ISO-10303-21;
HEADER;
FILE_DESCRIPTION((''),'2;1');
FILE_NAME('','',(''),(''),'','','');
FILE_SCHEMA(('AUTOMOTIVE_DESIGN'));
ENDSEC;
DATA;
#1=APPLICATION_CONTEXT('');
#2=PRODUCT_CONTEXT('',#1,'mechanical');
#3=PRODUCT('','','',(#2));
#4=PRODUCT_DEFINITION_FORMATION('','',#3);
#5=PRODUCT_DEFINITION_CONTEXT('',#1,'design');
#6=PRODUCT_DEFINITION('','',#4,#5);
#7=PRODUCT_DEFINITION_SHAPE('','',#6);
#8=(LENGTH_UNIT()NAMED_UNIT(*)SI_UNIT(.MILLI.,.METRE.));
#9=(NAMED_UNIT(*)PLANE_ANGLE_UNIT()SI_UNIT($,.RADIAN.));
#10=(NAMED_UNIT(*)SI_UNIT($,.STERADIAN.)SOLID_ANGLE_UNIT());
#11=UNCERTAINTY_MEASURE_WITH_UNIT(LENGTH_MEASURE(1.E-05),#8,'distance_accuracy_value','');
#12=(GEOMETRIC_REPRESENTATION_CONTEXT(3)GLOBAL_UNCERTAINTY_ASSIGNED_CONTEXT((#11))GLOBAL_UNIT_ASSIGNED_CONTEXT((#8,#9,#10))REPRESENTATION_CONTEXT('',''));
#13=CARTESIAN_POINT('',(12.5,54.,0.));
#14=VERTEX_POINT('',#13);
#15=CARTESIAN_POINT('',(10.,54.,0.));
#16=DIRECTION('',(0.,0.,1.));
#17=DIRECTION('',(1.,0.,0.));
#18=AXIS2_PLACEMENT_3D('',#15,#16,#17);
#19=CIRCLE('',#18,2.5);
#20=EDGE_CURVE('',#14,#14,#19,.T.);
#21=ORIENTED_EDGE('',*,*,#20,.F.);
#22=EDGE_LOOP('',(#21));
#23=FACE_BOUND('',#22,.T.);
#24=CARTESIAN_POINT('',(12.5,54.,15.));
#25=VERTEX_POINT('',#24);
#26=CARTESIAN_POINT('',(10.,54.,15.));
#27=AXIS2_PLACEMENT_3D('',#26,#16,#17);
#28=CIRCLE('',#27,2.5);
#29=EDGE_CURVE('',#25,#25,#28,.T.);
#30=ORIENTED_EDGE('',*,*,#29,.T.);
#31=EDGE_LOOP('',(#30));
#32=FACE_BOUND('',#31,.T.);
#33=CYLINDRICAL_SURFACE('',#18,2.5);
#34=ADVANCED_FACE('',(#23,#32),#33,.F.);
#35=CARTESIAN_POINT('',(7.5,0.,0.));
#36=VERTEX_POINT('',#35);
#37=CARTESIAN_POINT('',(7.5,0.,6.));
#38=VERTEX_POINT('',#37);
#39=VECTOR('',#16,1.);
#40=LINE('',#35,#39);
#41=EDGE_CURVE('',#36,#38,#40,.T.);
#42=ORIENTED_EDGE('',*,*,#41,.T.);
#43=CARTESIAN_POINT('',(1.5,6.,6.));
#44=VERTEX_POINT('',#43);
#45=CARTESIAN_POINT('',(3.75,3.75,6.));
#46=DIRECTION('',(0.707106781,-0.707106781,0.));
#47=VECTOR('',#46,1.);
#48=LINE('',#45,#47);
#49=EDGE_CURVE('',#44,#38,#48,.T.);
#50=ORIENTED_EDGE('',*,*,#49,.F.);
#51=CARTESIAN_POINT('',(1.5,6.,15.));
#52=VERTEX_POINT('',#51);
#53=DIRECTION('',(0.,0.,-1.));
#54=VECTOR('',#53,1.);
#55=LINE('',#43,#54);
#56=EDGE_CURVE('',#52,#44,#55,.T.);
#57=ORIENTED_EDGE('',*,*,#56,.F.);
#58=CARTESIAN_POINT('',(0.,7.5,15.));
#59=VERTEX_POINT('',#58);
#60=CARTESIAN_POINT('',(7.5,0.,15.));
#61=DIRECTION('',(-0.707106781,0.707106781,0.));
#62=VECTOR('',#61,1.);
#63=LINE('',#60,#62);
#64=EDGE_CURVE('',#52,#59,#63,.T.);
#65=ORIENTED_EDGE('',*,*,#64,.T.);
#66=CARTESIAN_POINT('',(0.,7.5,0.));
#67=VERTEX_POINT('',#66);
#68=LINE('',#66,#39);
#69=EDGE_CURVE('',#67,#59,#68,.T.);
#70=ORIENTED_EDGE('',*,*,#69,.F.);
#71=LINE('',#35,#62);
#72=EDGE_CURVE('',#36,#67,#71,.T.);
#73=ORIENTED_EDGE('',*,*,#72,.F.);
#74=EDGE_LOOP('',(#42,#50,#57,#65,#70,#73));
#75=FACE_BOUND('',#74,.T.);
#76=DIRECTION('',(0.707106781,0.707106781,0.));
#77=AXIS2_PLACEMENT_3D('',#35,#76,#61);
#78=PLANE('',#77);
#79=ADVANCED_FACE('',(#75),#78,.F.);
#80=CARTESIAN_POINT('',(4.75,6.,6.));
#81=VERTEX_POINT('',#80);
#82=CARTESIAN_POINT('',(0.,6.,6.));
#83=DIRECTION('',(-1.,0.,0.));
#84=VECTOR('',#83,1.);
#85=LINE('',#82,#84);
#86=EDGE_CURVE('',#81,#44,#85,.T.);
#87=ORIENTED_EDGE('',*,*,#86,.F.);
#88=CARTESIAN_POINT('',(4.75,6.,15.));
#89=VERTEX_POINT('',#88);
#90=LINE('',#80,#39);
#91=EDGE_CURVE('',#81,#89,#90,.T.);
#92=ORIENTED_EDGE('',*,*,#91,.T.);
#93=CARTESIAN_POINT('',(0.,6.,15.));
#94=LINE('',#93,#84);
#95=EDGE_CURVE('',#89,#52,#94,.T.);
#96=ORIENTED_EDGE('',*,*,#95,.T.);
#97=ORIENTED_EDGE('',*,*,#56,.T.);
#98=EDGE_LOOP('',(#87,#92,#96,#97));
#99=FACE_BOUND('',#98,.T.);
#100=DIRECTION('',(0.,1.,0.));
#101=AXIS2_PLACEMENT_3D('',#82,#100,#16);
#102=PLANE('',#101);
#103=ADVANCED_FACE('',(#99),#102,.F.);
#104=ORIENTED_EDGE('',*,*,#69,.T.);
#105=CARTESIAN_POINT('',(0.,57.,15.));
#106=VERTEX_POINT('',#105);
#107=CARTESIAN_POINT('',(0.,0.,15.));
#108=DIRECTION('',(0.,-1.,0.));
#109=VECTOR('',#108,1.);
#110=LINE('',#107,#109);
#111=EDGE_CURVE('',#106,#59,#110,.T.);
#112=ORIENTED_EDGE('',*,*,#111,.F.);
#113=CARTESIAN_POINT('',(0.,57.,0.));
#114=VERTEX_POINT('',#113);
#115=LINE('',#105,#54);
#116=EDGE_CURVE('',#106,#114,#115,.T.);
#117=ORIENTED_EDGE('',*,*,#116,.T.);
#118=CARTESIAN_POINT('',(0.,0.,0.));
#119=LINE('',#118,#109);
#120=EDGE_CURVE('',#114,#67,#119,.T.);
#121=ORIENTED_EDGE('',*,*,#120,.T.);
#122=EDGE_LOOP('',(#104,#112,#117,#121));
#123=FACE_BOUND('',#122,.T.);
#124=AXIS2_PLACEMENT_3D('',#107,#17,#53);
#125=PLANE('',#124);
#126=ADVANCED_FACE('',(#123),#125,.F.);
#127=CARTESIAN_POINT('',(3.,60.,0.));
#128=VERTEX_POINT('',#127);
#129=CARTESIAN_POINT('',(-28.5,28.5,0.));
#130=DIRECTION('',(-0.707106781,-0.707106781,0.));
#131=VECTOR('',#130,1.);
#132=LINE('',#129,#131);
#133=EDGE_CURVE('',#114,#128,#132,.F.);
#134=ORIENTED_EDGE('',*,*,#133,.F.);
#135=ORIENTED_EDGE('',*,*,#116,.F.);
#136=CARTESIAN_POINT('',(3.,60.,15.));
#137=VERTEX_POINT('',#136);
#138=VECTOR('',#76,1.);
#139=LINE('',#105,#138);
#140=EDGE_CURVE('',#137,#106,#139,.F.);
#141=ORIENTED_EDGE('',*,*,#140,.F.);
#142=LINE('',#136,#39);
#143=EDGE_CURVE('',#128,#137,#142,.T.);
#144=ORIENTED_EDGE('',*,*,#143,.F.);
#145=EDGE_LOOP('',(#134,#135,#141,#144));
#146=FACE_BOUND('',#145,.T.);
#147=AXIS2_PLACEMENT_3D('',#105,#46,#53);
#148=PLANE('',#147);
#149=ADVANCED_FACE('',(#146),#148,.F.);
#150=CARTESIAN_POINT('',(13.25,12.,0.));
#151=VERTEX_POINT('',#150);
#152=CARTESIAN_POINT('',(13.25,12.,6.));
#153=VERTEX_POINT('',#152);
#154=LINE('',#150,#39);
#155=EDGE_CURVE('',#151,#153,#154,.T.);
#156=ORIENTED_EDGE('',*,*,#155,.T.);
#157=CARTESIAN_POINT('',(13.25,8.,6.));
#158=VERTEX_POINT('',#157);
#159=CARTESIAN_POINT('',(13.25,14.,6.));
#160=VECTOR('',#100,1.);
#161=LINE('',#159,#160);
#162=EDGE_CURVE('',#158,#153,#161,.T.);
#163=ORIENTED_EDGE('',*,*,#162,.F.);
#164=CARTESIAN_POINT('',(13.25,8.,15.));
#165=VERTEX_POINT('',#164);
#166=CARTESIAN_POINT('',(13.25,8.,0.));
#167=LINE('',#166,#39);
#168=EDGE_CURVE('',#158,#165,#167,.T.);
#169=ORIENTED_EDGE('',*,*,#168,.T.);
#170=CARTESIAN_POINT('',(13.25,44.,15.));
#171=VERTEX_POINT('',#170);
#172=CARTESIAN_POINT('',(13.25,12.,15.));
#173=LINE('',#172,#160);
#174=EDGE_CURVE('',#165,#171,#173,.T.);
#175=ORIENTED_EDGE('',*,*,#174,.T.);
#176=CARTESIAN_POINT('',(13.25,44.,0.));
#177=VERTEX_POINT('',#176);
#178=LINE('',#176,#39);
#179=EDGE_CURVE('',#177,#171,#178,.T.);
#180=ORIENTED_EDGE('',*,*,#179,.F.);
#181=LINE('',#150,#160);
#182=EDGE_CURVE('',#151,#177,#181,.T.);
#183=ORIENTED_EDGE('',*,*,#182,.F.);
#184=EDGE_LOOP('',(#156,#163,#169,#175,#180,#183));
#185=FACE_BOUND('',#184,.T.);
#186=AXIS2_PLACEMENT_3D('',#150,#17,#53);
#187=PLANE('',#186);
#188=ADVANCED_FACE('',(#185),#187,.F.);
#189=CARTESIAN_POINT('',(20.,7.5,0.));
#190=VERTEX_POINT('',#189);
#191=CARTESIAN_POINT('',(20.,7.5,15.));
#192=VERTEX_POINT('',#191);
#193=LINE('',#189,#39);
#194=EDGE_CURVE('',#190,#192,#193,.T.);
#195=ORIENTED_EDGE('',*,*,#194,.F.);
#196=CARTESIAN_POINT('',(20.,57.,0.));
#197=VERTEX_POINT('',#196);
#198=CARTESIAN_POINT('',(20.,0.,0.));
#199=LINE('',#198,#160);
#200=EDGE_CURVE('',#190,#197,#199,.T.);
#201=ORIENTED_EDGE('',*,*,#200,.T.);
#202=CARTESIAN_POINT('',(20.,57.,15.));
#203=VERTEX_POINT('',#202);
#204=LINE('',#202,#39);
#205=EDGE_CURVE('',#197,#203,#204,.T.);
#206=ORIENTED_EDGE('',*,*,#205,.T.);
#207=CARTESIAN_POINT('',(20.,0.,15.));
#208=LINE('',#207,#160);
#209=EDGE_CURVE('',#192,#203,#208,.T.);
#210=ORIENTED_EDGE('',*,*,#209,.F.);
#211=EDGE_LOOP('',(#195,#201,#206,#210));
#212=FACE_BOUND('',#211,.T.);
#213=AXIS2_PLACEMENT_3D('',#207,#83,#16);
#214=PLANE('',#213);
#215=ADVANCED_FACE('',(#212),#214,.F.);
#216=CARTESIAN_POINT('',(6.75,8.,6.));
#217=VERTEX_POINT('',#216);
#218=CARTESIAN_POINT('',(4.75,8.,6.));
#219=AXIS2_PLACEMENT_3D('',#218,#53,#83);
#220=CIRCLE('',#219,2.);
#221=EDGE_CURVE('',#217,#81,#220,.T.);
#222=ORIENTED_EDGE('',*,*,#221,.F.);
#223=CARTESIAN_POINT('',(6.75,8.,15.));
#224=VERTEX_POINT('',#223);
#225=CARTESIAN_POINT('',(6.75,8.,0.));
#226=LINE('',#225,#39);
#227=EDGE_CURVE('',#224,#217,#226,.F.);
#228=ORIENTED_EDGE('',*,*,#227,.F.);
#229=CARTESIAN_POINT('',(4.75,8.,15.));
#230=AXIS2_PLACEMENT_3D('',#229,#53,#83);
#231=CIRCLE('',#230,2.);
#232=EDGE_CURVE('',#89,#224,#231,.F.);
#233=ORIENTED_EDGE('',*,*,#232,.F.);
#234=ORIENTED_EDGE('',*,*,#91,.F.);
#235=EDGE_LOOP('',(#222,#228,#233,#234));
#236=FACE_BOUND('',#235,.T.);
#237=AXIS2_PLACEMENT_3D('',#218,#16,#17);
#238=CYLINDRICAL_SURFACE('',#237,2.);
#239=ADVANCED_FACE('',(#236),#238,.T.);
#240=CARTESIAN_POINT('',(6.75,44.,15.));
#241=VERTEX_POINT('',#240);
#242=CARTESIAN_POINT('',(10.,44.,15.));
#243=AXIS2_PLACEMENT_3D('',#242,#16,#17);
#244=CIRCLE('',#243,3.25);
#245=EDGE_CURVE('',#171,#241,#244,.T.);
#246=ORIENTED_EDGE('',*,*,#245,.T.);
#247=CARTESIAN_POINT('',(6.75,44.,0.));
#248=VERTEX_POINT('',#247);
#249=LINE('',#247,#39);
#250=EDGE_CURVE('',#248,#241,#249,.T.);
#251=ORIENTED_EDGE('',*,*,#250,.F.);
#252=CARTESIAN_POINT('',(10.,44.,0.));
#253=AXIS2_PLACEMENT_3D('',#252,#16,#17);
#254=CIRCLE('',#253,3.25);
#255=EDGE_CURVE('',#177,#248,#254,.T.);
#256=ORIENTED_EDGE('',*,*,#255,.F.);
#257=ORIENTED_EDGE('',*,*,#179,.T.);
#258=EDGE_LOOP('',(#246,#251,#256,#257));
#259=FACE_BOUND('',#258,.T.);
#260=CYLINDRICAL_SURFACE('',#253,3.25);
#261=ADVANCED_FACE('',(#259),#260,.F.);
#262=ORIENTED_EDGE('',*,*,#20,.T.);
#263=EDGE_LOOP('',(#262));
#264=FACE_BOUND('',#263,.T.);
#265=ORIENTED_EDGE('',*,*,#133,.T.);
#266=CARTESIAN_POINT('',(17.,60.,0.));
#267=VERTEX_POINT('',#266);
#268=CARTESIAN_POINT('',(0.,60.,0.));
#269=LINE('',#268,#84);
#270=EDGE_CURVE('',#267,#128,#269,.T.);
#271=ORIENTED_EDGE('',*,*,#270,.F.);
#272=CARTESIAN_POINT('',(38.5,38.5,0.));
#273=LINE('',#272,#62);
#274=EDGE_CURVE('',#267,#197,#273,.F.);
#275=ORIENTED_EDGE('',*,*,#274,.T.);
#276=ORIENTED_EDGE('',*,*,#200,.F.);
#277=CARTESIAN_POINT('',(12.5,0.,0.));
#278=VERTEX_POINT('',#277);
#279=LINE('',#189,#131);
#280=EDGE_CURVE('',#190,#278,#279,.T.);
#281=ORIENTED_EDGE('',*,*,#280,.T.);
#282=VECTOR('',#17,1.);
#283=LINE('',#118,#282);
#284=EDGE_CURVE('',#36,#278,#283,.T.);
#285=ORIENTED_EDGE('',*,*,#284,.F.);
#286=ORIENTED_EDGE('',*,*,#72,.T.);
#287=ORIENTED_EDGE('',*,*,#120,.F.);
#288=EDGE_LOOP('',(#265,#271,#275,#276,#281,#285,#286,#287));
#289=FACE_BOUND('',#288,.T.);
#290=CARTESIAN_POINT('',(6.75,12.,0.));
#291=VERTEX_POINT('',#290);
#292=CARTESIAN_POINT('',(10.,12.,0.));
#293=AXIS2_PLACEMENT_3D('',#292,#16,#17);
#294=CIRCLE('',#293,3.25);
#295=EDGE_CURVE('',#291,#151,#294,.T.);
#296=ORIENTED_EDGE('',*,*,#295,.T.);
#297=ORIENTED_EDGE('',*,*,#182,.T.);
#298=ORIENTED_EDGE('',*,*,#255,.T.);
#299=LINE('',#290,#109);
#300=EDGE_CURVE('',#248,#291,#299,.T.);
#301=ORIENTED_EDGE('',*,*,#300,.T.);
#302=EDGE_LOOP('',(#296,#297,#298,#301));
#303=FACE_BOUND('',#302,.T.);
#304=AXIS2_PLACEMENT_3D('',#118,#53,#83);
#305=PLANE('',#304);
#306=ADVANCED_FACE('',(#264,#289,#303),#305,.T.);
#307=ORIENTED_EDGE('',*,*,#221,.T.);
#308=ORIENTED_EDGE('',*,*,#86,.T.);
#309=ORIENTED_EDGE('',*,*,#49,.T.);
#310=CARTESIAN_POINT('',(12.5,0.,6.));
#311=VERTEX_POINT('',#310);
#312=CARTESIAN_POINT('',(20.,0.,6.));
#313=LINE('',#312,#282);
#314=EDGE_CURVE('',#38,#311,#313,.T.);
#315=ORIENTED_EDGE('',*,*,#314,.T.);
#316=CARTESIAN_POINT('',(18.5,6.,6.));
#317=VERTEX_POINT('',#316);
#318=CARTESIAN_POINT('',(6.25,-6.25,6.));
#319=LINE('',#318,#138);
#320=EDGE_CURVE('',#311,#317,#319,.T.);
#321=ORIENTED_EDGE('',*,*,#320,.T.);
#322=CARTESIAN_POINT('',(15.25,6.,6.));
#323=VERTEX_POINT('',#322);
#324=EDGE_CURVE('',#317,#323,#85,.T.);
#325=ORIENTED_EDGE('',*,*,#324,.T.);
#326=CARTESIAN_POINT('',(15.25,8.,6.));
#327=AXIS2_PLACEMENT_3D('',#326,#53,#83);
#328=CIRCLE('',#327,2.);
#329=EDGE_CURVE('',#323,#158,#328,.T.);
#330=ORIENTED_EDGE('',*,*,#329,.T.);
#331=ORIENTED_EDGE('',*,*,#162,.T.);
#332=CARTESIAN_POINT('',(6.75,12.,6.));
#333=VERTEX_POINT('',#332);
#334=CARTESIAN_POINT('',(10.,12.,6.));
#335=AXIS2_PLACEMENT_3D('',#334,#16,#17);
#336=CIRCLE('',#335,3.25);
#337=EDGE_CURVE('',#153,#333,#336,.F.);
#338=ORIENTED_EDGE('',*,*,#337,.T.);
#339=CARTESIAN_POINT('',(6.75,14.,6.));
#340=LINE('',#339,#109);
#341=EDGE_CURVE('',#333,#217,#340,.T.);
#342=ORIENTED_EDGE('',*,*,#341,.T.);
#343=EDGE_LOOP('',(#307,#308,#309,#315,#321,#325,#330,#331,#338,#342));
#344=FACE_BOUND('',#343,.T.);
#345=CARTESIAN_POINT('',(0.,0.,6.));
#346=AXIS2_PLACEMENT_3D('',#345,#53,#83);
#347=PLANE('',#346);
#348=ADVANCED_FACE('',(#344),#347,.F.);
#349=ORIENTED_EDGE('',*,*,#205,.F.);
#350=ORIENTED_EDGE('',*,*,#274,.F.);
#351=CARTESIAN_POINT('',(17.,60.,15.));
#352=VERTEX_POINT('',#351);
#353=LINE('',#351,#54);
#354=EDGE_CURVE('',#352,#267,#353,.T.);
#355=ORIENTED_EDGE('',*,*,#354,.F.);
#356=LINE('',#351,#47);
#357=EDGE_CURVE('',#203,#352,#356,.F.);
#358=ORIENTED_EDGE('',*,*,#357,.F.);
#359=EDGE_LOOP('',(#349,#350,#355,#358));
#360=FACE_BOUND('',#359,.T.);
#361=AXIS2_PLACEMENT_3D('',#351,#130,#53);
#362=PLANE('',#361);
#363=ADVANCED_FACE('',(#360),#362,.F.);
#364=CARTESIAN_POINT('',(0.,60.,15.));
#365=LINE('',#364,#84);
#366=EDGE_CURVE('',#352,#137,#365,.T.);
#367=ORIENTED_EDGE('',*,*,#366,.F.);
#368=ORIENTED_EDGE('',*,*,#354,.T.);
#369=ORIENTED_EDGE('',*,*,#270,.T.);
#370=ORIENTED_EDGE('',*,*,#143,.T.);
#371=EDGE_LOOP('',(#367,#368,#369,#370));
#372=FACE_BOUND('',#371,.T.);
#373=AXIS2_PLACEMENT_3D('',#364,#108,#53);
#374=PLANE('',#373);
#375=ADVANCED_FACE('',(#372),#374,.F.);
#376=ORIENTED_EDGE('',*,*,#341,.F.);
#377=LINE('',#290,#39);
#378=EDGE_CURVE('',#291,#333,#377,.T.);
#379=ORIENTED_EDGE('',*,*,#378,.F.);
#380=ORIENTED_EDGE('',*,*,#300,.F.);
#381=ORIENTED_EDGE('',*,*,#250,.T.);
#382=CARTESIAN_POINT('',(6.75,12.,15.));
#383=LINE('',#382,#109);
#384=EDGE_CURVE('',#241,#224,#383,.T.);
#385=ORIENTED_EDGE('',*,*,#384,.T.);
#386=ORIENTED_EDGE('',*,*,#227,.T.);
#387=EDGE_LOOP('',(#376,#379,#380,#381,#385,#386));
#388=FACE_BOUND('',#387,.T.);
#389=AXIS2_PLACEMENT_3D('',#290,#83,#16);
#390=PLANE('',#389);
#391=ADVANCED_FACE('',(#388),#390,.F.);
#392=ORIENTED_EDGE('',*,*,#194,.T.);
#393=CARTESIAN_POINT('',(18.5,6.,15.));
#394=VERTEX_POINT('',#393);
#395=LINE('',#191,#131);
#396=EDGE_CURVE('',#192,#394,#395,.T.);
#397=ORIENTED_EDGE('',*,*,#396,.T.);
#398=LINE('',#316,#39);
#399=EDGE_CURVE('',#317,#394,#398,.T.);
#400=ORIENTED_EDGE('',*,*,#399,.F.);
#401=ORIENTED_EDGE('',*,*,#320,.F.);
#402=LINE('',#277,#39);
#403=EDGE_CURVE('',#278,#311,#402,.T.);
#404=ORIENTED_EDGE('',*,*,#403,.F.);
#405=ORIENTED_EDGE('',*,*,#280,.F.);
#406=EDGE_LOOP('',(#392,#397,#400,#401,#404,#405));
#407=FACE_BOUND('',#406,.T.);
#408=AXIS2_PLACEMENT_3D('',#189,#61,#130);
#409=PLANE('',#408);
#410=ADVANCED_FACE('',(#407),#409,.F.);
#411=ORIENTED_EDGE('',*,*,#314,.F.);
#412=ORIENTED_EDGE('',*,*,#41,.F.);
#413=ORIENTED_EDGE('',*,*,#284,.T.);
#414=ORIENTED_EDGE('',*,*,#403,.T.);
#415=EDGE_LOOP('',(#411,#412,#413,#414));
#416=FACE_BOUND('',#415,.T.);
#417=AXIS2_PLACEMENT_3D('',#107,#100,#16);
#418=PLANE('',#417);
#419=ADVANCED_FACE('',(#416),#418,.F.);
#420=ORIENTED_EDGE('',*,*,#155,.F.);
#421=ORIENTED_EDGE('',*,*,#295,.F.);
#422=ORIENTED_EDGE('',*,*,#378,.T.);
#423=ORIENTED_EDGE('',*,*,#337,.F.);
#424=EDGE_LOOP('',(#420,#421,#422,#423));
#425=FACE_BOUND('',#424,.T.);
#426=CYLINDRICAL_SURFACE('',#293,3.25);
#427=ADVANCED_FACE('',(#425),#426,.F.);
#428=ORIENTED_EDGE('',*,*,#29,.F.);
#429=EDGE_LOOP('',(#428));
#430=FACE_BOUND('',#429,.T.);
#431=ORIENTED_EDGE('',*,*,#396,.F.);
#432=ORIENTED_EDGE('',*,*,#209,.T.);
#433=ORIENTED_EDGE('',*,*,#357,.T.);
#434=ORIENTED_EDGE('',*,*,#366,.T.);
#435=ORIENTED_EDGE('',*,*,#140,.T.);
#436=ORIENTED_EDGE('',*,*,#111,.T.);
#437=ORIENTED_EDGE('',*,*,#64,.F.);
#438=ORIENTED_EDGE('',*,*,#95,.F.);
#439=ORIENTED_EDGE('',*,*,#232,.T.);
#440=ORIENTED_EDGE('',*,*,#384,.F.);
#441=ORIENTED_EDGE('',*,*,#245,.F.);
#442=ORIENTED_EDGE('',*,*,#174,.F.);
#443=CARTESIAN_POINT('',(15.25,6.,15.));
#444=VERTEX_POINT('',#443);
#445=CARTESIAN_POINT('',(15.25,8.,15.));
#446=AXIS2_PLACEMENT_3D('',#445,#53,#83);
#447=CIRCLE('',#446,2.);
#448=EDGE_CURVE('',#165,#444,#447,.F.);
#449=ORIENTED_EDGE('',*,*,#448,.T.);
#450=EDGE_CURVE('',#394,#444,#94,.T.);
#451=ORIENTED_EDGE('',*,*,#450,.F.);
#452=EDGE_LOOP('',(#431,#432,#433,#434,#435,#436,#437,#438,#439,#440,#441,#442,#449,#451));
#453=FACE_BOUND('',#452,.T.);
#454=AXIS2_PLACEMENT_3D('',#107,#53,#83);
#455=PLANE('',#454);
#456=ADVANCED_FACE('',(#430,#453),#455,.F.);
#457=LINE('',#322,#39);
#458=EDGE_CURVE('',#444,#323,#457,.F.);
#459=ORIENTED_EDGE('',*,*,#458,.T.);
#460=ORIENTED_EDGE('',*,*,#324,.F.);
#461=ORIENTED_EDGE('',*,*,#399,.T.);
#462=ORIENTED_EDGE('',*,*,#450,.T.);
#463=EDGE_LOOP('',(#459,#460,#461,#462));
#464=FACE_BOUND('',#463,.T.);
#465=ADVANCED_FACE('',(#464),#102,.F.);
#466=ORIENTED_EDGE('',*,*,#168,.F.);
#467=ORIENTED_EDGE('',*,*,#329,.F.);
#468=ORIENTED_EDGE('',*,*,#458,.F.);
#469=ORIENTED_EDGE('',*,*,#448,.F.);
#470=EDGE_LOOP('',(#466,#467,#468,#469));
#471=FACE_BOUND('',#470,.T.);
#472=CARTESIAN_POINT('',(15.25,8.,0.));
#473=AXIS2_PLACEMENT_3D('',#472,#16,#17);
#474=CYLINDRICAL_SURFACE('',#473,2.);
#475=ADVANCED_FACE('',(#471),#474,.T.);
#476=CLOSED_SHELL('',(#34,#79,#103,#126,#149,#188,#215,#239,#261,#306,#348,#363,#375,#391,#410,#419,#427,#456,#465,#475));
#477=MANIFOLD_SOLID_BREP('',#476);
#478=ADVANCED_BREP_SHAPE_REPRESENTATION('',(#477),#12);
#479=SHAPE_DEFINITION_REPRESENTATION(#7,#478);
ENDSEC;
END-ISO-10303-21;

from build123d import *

# Parameters (mm, degrees)
ESQUISSE1_W             = 20
ESQUISSE1_H             = 60
BOSS_EXTRU_1_DEPTH      = 15
ESQUISSE2_R             = 2.5
ENL_V_MAT_EXTRU_1_DEPTH = 15
ESQUISSE3_W             = 20
ESQUISSE3_H             = 6
ENL_V_MAT_EXTRU_2_DEPTH = 9
ENL_V_MAT_EXTRU_3_DEPTH = 15
ESQUISSE7_W             = 6.5
ESQUISSE7_H             = 8
ENL_V_MAT_EXTRU_4_DEPTH = 9
CONG_1_R                = 2
CHANFREIN1_SIZE         = 3


with BuildPart() as part:
    # Esquisse1 → Boss.-Extru.1 (new body)
    with BuildSketch(Plane.XY):
        with Locations((10, 30)):
            Rectangle(ESQUISSE1_W, ESQUISSE1_H)
    extrude(amount=BOSS_EXTRU_1_DEPTH)

    # Esquisse2 → Enlèv. mat.-Extru.1 (cut)
    with BuildSketch(Plane.XY.offset(15)):
        with Locations((10, 54)):
            Circle(ESQUISSE2_R)
        with BuildLine():
            Line((6.75, 12), (6.75, 44))
            ThreePointArc((6.75, 44), (10, 47.25), (13.25, 44))
            Line((13.25, 44), (13.25, 12))
            ThreePointArc((13.25, 12), (10, 8.75), (6.75, 12))
        make_face()
    extrude(amount=-ENL_V_MAT_EXTRU_1_DEPTH, mode=Mode.SUBTRACT)

    # Esquisse3 → Enlèv. mat.-Extru.2 (cut)
    with BuildSketch(Plane.XY.offset(15)):
        with Locations((10, 3)):
            Rectangle(ESQUISSE3_W, ESQUISSE3_H)
    extrude(amount=-ENL_V_MAT_EXTRU_2_DEPTH, mode=Mode.SUBTRACT)

    # Esquisse6 → Enlèv. mat.-Extru.3 (cut)
    with BuildSketch(Plane.XY.offset(15)):
        Polygon((7.5, 0), (0, 7.5), (0, -7.5), (20, -7.5), (20, 7.5), (12.5, 0), align=None)
    extrude(amount=-ENL_V_MAT_EXTRU_3_DEPTH, mode=Mode.SUBTRACT)

    # Esquisse7 → Enlèv. mat.-Extru.4 (cut)
    with BuildSketch(Plane.XY.offset(15)):
        with Locations((10, 10)):
            Rectangle(ESQUISSE7_W, ESQUISSE7_H)
    extrude(amount=-ENL_V_MAT_EXTRU_4_DEPTH, mode=Mode.SUBTRACT)

    # Congé1
    cong_1_edges = [part.edges().sort_by_distance(p)[0] for p in [
        (6.75, 6, 10.5),
        (13.25, 6, 10.5),
    ]]
    fillet(cong_1_edges, radius=CONG_1_R)

    # Chanfrein1
    chanfrein1_edges = [part.edges().sort_by_distance(p)[0] for p in [
        (0, 60, 7.5),
        (20, 60, 7.5),
    ]]
    chamfer(chanfrein1_edges, length=CHANFREIN1_SIZE)


solid = part.part
